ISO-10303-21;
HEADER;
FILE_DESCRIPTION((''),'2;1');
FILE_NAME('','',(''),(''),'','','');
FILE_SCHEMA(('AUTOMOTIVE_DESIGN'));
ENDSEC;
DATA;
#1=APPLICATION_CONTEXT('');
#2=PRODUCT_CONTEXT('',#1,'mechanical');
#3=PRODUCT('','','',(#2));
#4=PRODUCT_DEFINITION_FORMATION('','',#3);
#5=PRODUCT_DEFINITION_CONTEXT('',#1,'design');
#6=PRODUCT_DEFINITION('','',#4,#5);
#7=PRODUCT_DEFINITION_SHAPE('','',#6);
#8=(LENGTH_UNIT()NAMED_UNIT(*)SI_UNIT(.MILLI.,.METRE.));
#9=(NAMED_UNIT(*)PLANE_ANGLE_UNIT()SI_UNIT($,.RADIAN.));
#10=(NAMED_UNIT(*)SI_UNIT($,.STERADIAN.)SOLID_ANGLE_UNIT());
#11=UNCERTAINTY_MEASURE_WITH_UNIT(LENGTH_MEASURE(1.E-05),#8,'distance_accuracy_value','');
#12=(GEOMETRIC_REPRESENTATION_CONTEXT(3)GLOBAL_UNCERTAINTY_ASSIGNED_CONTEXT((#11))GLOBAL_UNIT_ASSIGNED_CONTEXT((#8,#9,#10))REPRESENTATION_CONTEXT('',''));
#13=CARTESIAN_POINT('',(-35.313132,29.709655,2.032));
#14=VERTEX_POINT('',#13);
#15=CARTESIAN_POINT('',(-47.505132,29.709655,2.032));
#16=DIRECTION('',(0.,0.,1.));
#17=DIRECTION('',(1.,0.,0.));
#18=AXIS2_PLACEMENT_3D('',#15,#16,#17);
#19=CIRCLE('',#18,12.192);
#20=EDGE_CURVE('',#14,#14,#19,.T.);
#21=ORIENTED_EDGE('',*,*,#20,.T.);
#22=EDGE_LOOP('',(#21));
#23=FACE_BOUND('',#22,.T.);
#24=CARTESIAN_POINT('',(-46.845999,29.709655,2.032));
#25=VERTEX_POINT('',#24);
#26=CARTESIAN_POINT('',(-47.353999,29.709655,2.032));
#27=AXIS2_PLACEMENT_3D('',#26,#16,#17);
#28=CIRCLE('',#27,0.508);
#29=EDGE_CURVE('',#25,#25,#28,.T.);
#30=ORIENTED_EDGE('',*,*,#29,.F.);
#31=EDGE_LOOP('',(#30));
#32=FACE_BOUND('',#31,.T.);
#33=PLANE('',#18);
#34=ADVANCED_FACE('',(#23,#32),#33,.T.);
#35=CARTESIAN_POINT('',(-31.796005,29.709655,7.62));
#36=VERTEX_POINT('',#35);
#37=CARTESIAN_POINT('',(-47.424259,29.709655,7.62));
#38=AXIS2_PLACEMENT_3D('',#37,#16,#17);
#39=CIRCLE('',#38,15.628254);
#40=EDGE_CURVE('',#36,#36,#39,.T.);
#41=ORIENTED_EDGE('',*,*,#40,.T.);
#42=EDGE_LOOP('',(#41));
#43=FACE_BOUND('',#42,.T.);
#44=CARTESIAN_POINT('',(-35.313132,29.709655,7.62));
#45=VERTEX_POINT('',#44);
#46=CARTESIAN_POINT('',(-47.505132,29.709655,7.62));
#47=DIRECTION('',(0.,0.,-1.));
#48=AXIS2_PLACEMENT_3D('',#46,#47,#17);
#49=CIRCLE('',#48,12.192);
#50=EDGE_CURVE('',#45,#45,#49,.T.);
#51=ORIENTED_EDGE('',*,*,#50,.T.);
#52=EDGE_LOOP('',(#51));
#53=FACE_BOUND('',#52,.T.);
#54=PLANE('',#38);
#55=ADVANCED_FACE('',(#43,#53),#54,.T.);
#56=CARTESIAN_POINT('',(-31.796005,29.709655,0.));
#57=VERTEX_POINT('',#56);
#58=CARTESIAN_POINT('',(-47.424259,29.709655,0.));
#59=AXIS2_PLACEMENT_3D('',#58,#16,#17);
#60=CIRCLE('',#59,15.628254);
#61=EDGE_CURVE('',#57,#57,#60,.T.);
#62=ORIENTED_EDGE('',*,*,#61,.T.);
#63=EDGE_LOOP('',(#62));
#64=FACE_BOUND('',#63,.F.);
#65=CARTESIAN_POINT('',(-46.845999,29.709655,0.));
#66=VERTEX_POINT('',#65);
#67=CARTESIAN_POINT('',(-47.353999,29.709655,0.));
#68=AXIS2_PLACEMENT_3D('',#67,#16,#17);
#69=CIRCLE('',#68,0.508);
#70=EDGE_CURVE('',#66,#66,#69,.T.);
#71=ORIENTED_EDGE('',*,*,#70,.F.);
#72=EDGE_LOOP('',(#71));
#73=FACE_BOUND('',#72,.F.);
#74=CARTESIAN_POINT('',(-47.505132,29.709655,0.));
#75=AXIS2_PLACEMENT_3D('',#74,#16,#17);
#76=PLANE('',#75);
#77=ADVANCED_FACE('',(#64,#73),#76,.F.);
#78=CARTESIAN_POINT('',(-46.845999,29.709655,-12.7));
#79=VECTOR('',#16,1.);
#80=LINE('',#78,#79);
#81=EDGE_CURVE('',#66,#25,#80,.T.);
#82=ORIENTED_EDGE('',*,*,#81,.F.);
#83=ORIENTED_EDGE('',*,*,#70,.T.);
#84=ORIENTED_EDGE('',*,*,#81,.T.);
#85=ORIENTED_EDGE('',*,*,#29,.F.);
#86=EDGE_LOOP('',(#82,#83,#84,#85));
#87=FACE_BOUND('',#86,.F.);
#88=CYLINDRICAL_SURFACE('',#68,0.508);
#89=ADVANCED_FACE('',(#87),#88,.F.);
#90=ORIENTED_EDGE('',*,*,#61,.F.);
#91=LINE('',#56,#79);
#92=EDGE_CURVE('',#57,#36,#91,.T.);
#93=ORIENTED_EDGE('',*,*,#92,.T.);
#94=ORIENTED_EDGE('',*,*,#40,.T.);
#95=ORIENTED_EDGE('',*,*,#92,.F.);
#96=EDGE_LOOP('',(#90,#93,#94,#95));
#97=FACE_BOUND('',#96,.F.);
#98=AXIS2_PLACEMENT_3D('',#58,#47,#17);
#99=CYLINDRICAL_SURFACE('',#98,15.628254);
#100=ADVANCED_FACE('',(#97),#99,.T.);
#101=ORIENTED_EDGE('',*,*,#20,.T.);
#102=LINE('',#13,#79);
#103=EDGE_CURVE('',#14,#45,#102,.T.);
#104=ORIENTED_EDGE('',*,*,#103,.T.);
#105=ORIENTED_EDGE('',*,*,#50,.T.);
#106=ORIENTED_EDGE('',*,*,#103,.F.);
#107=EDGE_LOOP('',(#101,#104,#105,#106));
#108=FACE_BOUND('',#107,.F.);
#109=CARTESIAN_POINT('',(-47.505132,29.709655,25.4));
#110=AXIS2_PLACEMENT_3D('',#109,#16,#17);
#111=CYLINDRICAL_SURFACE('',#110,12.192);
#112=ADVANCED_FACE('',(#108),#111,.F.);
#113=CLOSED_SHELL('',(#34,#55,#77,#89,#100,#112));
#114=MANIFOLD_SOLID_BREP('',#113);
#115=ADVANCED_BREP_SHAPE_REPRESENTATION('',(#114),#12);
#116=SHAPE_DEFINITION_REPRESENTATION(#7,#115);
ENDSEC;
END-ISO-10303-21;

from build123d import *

# Parameters (mm, degrees)
F0_R      = 15.628254
F1_DEPTH  = 7.62
F2_R      = 12.192
F3_DEPTH  = 25.4
F3_FACE_R = 12.192
F4_DEPTH  = 23.368
F5_R      = 0.508
F6_DEPTH  = 12.7


with BuildPart() as f1:
    # F0 (on Top) → F1 (new body)
    with BuildSketch(Plane.XY):
        with Locations((-47.424259, 29.709655)):
            Circle(F0_R)
    extrude(amount=F1_DEPTH)

    # F2 (on Top) → F3 (join)
    with BuildSketch(Plane.XY):
        with Locations((-47.505132, 29.709655)):
            Circle(F2_R)
    extrude(amount=F3_DEPTH)

    # F3_face (on face) → F4 (cut, symmetric)
    with BuildSketch(Plane(origin=(-47.505132, 29.709655, 25.4), x_dir=(1, 0, 0), z_dir=(0, 0, 1))):
        Circle(F3_FACE_R)
    extrude(amount=F4_DEPTH, both=True, mode=Mode.SUBTRACT)

    # F5 (on Top) → F6 (cut, symmetric)
    with BuildSketch(Plane.XY):
        with Locations((-47.353999, 29.709655)):
            Circle(F5_R)
    extrude(amount=F6_DEPTH, both=True, mode=Mode.SUBTRACT)


solid = f1.part
